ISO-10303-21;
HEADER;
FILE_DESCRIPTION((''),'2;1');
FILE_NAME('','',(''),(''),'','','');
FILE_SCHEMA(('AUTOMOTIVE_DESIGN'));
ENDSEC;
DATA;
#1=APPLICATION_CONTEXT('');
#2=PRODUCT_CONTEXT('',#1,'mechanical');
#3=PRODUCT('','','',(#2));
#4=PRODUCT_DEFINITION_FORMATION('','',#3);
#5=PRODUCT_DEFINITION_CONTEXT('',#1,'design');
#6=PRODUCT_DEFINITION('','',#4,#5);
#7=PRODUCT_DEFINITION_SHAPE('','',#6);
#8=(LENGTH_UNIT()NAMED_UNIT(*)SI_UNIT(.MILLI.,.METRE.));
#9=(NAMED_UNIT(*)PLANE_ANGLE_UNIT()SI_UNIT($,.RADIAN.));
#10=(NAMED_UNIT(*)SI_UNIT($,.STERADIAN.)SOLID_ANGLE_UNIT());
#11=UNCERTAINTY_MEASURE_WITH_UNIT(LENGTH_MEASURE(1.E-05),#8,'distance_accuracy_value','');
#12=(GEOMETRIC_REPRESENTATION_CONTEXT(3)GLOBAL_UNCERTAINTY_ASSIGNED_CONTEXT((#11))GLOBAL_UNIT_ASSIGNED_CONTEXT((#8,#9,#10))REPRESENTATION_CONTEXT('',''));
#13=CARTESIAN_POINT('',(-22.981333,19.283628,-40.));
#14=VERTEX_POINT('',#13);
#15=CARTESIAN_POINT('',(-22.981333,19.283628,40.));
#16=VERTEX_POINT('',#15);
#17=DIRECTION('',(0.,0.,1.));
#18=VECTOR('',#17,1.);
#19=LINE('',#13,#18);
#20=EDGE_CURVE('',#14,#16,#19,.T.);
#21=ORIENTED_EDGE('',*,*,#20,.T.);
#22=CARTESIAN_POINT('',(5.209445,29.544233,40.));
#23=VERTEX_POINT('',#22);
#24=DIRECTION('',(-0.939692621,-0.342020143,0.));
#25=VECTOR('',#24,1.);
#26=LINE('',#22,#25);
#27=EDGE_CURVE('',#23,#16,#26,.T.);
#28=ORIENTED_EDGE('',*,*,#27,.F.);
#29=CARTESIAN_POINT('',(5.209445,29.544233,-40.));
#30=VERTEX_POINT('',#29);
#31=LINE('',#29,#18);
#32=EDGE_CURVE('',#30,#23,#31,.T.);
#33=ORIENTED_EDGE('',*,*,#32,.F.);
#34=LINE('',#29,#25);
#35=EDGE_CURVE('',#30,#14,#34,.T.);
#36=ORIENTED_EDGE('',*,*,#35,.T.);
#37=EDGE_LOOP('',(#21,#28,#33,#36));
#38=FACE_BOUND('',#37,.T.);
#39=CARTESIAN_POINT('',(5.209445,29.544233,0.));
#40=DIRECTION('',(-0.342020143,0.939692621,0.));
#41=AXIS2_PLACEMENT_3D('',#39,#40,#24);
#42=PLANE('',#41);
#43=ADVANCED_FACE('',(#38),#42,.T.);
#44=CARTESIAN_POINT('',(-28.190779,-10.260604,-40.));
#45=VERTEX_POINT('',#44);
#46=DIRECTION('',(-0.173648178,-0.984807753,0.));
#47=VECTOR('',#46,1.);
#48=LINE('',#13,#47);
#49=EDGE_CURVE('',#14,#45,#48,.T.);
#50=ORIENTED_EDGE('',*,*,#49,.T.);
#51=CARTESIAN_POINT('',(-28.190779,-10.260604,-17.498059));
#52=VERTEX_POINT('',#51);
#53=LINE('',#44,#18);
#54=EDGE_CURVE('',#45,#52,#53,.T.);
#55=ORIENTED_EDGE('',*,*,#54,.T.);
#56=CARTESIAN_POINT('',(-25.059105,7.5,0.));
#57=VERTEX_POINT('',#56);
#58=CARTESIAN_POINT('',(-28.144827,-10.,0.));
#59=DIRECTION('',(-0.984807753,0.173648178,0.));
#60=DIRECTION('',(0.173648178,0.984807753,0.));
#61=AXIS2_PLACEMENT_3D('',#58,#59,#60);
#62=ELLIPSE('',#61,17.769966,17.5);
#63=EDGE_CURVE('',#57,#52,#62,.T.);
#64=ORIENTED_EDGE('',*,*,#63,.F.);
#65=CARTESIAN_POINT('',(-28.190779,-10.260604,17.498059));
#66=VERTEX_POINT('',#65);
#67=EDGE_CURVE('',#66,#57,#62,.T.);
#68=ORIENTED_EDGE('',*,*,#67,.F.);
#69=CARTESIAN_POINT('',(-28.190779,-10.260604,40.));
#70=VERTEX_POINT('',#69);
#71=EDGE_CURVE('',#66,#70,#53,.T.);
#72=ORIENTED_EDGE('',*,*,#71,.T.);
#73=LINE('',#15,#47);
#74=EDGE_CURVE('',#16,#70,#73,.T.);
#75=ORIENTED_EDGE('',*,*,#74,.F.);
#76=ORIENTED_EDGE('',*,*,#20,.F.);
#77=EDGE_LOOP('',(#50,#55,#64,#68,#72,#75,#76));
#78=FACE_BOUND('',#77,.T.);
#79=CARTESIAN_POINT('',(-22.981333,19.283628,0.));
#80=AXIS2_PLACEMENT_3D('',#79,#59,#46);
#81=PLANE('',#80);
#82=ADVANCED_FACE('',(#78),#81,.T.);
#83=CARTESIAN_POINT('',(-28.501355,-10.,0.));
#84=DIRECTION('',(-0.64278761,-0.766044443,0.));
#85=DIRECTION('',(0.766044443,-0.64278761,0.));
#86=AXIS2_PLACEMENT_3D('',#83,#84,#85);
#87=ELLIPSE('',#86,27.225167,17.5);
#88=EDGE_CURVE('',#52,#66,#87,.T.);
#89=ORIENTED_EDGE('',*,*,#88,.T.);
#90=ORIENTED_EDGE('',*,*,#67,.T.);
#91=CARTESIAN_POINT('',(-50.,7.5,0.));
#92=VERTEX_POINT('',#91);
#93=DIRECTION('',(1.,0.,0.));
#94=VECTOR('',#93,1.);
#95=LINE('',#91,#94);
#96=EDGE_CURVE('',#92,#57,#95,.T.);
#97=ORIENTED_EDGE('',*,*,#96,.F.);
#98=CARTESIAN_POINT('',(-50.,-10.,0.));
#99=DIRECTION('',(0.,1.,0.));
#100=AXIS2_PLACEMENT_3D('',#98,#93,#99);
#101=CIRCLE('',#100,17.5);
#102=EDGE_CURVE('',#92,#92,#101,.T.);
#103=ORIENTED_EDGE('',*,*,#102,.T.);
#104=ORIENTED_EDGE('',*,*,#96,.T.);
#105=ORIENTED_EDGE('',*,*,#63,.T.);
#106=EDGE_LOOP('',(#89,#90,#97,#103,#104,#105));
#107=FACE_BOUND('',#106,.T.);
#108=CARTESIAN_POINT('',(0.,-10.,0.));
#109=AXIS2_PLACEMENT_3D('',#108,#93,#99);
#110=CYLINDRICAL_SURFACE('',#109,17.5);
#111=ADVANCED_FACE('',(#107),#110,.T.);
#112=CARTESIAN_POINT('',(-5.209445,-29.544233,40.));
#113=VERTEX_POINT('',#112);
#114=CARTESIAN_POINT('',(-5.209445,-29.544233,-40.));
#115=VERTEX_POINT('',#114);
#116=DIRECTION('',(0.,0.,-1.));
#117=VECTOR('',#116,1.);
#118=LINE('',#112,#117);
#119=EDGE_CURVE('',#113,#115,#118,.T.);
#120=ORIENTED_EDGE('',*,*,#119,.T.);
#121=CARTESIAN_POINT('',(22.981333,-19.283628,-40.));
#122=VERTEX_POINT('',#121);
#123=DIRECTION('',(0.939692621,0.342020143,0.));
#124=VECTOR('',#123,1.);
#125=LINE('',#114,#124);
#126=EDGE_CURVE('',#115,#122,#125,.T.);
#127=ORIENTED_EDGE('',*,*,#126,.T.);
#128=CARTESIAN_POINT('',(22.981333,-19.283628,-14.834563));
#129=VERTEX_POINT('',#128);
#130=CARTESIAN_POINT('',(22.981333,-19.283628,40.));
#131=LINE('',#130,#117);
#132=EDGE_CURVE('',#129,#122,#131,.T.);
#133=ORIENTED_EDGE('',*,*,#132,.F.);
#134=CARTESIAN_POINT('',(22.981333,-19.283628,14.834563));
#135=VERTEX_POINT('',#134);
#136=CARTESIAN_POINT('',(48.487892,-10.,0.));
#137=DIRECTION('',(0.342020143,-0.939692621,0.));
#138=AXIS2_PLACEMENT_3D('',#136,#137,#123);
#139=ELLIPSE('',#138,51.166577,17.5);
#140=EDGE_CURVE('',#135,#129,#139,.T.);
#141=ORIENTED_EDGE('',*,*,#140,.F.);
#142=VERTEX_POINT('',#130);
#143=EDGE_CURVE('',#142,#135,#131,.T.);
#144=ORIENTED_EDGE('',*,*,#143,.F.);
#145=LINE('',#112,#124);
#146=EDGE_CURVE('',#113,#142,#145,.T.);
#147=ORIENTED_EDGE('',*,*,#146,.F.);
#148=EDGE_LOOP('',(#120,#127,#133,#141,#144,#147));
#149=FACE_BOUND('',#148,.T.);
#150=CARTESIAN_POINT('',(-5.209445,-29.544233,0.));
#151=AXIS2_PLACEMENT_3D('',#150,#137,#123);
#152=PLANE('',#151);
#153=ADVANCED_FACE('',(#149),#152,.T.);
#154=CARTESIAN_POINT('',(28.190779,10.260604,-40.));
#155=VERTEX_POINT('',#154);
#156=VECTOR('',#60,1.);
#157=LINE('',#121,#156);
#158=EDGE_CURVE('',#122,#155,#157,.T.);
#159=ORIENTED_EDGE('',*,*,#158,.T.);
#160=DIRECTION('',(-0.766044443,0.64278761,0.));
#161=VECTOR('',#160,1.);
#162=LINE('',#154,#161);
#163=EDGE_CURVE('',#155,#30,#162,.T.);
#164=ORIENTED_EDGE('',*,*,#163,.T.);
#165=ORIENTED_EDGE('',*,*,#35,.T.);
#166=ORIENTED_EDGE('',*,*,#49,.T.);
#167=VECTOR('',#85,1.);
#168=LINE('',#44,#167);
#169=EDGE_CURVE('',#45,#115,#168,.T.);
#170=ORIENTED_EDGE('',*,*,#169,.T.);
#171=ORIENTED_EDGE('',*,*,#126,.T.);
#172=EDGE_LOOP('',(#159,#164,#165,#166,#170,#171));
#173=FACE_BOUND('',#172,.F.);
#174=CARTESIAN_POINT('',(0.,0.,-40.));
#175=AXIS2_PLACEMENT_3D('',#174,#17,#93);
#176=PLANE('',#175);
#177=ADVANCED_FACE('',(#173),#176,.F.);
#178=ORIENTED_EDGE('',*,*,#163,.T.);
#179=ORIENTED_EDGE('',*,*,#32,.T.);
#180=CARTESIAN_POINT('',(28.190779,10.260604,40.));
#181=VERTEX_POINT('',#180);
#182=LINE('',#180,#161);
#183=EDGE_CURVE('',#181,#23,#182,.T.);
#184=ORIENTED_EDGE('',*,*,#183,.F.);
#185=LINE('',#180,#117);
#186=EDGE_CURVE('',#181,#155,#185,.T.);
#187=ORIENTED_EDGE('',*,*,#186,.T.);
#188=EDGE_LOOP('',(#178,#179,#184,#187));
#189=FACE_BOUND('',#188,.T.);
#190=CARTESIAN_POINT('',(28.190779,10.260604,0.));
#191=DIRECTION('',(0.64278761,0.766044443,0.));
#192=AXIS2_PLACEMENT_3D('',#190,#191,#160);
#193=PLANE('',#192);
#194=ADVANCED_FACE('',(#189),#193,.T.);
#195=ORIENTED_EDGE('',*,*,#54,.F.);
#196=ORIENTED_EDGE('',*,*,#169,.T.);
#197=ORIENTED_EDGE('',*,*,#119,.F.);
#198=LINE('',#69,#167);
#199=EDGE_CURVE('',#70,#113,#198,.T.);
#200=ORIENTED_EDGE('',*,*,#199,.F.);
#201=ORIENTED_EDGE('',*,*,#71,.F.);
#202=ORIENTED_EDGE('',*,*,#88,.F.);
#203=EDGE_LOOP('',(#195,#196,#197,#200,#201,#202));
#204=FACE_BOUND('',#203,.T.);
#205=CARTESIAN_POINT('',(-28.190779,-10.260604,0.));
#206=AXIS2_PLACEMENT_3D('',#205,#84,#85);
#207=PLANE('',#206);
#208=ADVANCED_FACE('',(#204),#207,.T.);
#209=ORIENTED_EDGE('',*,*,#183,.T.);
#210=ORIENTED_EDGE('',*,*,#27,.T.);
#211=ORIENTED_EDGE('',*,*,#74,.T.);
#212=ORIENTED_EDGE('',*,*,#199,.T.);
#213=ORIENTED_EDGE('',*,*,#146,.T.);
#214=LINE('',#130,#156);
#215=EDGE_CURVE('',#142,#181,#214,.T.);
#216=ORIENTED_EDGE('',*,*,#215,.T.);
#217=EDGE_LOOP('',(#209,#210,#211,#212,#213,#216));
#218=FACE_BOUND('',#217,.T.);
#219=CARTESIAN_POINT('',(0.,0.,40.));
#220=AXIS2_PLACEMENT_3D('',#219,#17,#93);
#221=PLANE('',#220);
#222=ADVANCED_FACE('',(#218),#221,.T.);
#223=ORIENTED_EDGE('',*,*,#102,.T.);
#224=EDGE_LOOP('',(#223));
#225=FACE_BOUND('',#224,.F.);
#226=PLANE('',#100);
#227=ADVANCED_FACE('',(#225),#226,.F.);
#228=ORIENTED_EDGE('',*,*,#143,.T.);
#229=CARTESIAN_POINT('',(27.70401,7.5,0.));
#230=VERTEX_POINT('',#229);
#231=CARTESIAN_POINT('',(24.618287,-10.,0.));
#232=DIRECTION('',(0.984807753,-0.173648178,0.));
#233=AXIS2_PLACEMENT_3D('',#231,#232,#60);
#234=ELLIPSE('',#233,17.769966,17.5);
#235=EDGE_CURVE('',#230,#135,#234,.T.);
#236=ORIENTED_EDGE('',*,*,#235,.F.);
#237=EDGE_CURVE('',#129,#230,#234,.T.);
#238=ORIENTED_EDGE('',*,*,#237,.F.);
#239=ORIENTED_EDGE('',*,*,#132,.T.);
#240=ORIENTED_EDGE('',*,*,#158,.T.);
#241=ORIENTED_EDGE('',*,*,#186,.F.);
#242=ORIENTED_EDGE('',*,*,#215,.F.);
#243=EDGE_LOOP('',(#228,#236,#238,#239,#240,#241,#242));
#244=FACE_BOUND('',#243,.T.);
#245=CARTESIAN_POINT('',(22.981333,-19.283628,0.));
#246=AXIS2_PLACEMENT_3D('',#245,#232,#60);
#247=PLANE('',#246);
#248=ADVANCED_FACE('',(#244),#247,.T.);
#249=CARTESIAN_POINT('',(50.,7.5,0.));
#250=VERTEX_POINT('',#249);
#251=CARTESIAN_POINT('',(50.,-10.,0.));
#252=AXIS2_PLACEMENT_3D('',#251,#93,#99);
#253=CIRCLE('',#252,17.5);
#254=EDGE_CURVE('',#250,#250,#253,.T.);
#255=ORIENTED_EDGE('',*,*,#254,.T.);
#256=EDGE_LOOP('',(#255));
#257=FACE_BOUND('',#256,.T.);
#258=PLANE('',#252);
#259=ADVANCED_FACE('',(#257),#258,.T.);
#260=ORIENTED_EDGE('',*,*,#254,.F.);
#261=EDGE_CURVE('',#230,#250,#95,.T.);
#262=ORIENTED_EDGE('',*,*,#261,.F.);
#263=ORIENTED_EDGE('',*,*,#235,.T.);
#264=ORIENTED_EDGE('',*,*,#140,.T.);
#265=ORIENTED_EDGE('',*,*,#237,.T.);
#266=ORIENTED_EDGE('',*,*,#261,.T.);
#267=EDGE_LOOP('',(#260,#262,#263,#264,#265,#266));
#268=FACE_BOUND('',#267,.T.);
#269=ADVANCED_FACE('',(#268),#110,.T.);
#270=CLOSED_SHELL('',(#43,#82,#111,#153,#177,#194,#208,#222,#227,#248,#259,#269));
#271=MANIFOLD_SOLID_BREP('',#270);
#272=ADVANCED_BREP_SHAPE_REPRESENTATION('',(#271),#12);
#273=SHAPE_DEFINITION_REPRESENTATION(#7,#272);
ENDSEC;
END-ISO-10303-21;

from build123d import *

# Parameters (mm, degrees)
F1_DEPTH = 40
F2_R     = 17.5
F3_DEPTH = 50


with BuildPart() as f1:
    # F0 (on Top) → F1 (new body, symmetric)
    with BuildSketch(Plane.XY):
        Polygon((28.1907786236, 10.2606042998), (5.20944533, 29.5442325904), (-22.9813332936, 19.2836282906), (-28.1907786236, -10.2606042998), (-5.20944533, -29.5442325904), (22.9813332936, -19.2836282906), align=None)
    extrude(amount=F1_DEPTH, both=True)

    # F2 (on Right) → F3 (join, symmetric)
    with BuildSketch(Plane.YZ):
        with Locations((-10, 0)):
            Circle(F2_R)
    extrude(amount=F3_DEPTH, both=True)


solid = f1.part
